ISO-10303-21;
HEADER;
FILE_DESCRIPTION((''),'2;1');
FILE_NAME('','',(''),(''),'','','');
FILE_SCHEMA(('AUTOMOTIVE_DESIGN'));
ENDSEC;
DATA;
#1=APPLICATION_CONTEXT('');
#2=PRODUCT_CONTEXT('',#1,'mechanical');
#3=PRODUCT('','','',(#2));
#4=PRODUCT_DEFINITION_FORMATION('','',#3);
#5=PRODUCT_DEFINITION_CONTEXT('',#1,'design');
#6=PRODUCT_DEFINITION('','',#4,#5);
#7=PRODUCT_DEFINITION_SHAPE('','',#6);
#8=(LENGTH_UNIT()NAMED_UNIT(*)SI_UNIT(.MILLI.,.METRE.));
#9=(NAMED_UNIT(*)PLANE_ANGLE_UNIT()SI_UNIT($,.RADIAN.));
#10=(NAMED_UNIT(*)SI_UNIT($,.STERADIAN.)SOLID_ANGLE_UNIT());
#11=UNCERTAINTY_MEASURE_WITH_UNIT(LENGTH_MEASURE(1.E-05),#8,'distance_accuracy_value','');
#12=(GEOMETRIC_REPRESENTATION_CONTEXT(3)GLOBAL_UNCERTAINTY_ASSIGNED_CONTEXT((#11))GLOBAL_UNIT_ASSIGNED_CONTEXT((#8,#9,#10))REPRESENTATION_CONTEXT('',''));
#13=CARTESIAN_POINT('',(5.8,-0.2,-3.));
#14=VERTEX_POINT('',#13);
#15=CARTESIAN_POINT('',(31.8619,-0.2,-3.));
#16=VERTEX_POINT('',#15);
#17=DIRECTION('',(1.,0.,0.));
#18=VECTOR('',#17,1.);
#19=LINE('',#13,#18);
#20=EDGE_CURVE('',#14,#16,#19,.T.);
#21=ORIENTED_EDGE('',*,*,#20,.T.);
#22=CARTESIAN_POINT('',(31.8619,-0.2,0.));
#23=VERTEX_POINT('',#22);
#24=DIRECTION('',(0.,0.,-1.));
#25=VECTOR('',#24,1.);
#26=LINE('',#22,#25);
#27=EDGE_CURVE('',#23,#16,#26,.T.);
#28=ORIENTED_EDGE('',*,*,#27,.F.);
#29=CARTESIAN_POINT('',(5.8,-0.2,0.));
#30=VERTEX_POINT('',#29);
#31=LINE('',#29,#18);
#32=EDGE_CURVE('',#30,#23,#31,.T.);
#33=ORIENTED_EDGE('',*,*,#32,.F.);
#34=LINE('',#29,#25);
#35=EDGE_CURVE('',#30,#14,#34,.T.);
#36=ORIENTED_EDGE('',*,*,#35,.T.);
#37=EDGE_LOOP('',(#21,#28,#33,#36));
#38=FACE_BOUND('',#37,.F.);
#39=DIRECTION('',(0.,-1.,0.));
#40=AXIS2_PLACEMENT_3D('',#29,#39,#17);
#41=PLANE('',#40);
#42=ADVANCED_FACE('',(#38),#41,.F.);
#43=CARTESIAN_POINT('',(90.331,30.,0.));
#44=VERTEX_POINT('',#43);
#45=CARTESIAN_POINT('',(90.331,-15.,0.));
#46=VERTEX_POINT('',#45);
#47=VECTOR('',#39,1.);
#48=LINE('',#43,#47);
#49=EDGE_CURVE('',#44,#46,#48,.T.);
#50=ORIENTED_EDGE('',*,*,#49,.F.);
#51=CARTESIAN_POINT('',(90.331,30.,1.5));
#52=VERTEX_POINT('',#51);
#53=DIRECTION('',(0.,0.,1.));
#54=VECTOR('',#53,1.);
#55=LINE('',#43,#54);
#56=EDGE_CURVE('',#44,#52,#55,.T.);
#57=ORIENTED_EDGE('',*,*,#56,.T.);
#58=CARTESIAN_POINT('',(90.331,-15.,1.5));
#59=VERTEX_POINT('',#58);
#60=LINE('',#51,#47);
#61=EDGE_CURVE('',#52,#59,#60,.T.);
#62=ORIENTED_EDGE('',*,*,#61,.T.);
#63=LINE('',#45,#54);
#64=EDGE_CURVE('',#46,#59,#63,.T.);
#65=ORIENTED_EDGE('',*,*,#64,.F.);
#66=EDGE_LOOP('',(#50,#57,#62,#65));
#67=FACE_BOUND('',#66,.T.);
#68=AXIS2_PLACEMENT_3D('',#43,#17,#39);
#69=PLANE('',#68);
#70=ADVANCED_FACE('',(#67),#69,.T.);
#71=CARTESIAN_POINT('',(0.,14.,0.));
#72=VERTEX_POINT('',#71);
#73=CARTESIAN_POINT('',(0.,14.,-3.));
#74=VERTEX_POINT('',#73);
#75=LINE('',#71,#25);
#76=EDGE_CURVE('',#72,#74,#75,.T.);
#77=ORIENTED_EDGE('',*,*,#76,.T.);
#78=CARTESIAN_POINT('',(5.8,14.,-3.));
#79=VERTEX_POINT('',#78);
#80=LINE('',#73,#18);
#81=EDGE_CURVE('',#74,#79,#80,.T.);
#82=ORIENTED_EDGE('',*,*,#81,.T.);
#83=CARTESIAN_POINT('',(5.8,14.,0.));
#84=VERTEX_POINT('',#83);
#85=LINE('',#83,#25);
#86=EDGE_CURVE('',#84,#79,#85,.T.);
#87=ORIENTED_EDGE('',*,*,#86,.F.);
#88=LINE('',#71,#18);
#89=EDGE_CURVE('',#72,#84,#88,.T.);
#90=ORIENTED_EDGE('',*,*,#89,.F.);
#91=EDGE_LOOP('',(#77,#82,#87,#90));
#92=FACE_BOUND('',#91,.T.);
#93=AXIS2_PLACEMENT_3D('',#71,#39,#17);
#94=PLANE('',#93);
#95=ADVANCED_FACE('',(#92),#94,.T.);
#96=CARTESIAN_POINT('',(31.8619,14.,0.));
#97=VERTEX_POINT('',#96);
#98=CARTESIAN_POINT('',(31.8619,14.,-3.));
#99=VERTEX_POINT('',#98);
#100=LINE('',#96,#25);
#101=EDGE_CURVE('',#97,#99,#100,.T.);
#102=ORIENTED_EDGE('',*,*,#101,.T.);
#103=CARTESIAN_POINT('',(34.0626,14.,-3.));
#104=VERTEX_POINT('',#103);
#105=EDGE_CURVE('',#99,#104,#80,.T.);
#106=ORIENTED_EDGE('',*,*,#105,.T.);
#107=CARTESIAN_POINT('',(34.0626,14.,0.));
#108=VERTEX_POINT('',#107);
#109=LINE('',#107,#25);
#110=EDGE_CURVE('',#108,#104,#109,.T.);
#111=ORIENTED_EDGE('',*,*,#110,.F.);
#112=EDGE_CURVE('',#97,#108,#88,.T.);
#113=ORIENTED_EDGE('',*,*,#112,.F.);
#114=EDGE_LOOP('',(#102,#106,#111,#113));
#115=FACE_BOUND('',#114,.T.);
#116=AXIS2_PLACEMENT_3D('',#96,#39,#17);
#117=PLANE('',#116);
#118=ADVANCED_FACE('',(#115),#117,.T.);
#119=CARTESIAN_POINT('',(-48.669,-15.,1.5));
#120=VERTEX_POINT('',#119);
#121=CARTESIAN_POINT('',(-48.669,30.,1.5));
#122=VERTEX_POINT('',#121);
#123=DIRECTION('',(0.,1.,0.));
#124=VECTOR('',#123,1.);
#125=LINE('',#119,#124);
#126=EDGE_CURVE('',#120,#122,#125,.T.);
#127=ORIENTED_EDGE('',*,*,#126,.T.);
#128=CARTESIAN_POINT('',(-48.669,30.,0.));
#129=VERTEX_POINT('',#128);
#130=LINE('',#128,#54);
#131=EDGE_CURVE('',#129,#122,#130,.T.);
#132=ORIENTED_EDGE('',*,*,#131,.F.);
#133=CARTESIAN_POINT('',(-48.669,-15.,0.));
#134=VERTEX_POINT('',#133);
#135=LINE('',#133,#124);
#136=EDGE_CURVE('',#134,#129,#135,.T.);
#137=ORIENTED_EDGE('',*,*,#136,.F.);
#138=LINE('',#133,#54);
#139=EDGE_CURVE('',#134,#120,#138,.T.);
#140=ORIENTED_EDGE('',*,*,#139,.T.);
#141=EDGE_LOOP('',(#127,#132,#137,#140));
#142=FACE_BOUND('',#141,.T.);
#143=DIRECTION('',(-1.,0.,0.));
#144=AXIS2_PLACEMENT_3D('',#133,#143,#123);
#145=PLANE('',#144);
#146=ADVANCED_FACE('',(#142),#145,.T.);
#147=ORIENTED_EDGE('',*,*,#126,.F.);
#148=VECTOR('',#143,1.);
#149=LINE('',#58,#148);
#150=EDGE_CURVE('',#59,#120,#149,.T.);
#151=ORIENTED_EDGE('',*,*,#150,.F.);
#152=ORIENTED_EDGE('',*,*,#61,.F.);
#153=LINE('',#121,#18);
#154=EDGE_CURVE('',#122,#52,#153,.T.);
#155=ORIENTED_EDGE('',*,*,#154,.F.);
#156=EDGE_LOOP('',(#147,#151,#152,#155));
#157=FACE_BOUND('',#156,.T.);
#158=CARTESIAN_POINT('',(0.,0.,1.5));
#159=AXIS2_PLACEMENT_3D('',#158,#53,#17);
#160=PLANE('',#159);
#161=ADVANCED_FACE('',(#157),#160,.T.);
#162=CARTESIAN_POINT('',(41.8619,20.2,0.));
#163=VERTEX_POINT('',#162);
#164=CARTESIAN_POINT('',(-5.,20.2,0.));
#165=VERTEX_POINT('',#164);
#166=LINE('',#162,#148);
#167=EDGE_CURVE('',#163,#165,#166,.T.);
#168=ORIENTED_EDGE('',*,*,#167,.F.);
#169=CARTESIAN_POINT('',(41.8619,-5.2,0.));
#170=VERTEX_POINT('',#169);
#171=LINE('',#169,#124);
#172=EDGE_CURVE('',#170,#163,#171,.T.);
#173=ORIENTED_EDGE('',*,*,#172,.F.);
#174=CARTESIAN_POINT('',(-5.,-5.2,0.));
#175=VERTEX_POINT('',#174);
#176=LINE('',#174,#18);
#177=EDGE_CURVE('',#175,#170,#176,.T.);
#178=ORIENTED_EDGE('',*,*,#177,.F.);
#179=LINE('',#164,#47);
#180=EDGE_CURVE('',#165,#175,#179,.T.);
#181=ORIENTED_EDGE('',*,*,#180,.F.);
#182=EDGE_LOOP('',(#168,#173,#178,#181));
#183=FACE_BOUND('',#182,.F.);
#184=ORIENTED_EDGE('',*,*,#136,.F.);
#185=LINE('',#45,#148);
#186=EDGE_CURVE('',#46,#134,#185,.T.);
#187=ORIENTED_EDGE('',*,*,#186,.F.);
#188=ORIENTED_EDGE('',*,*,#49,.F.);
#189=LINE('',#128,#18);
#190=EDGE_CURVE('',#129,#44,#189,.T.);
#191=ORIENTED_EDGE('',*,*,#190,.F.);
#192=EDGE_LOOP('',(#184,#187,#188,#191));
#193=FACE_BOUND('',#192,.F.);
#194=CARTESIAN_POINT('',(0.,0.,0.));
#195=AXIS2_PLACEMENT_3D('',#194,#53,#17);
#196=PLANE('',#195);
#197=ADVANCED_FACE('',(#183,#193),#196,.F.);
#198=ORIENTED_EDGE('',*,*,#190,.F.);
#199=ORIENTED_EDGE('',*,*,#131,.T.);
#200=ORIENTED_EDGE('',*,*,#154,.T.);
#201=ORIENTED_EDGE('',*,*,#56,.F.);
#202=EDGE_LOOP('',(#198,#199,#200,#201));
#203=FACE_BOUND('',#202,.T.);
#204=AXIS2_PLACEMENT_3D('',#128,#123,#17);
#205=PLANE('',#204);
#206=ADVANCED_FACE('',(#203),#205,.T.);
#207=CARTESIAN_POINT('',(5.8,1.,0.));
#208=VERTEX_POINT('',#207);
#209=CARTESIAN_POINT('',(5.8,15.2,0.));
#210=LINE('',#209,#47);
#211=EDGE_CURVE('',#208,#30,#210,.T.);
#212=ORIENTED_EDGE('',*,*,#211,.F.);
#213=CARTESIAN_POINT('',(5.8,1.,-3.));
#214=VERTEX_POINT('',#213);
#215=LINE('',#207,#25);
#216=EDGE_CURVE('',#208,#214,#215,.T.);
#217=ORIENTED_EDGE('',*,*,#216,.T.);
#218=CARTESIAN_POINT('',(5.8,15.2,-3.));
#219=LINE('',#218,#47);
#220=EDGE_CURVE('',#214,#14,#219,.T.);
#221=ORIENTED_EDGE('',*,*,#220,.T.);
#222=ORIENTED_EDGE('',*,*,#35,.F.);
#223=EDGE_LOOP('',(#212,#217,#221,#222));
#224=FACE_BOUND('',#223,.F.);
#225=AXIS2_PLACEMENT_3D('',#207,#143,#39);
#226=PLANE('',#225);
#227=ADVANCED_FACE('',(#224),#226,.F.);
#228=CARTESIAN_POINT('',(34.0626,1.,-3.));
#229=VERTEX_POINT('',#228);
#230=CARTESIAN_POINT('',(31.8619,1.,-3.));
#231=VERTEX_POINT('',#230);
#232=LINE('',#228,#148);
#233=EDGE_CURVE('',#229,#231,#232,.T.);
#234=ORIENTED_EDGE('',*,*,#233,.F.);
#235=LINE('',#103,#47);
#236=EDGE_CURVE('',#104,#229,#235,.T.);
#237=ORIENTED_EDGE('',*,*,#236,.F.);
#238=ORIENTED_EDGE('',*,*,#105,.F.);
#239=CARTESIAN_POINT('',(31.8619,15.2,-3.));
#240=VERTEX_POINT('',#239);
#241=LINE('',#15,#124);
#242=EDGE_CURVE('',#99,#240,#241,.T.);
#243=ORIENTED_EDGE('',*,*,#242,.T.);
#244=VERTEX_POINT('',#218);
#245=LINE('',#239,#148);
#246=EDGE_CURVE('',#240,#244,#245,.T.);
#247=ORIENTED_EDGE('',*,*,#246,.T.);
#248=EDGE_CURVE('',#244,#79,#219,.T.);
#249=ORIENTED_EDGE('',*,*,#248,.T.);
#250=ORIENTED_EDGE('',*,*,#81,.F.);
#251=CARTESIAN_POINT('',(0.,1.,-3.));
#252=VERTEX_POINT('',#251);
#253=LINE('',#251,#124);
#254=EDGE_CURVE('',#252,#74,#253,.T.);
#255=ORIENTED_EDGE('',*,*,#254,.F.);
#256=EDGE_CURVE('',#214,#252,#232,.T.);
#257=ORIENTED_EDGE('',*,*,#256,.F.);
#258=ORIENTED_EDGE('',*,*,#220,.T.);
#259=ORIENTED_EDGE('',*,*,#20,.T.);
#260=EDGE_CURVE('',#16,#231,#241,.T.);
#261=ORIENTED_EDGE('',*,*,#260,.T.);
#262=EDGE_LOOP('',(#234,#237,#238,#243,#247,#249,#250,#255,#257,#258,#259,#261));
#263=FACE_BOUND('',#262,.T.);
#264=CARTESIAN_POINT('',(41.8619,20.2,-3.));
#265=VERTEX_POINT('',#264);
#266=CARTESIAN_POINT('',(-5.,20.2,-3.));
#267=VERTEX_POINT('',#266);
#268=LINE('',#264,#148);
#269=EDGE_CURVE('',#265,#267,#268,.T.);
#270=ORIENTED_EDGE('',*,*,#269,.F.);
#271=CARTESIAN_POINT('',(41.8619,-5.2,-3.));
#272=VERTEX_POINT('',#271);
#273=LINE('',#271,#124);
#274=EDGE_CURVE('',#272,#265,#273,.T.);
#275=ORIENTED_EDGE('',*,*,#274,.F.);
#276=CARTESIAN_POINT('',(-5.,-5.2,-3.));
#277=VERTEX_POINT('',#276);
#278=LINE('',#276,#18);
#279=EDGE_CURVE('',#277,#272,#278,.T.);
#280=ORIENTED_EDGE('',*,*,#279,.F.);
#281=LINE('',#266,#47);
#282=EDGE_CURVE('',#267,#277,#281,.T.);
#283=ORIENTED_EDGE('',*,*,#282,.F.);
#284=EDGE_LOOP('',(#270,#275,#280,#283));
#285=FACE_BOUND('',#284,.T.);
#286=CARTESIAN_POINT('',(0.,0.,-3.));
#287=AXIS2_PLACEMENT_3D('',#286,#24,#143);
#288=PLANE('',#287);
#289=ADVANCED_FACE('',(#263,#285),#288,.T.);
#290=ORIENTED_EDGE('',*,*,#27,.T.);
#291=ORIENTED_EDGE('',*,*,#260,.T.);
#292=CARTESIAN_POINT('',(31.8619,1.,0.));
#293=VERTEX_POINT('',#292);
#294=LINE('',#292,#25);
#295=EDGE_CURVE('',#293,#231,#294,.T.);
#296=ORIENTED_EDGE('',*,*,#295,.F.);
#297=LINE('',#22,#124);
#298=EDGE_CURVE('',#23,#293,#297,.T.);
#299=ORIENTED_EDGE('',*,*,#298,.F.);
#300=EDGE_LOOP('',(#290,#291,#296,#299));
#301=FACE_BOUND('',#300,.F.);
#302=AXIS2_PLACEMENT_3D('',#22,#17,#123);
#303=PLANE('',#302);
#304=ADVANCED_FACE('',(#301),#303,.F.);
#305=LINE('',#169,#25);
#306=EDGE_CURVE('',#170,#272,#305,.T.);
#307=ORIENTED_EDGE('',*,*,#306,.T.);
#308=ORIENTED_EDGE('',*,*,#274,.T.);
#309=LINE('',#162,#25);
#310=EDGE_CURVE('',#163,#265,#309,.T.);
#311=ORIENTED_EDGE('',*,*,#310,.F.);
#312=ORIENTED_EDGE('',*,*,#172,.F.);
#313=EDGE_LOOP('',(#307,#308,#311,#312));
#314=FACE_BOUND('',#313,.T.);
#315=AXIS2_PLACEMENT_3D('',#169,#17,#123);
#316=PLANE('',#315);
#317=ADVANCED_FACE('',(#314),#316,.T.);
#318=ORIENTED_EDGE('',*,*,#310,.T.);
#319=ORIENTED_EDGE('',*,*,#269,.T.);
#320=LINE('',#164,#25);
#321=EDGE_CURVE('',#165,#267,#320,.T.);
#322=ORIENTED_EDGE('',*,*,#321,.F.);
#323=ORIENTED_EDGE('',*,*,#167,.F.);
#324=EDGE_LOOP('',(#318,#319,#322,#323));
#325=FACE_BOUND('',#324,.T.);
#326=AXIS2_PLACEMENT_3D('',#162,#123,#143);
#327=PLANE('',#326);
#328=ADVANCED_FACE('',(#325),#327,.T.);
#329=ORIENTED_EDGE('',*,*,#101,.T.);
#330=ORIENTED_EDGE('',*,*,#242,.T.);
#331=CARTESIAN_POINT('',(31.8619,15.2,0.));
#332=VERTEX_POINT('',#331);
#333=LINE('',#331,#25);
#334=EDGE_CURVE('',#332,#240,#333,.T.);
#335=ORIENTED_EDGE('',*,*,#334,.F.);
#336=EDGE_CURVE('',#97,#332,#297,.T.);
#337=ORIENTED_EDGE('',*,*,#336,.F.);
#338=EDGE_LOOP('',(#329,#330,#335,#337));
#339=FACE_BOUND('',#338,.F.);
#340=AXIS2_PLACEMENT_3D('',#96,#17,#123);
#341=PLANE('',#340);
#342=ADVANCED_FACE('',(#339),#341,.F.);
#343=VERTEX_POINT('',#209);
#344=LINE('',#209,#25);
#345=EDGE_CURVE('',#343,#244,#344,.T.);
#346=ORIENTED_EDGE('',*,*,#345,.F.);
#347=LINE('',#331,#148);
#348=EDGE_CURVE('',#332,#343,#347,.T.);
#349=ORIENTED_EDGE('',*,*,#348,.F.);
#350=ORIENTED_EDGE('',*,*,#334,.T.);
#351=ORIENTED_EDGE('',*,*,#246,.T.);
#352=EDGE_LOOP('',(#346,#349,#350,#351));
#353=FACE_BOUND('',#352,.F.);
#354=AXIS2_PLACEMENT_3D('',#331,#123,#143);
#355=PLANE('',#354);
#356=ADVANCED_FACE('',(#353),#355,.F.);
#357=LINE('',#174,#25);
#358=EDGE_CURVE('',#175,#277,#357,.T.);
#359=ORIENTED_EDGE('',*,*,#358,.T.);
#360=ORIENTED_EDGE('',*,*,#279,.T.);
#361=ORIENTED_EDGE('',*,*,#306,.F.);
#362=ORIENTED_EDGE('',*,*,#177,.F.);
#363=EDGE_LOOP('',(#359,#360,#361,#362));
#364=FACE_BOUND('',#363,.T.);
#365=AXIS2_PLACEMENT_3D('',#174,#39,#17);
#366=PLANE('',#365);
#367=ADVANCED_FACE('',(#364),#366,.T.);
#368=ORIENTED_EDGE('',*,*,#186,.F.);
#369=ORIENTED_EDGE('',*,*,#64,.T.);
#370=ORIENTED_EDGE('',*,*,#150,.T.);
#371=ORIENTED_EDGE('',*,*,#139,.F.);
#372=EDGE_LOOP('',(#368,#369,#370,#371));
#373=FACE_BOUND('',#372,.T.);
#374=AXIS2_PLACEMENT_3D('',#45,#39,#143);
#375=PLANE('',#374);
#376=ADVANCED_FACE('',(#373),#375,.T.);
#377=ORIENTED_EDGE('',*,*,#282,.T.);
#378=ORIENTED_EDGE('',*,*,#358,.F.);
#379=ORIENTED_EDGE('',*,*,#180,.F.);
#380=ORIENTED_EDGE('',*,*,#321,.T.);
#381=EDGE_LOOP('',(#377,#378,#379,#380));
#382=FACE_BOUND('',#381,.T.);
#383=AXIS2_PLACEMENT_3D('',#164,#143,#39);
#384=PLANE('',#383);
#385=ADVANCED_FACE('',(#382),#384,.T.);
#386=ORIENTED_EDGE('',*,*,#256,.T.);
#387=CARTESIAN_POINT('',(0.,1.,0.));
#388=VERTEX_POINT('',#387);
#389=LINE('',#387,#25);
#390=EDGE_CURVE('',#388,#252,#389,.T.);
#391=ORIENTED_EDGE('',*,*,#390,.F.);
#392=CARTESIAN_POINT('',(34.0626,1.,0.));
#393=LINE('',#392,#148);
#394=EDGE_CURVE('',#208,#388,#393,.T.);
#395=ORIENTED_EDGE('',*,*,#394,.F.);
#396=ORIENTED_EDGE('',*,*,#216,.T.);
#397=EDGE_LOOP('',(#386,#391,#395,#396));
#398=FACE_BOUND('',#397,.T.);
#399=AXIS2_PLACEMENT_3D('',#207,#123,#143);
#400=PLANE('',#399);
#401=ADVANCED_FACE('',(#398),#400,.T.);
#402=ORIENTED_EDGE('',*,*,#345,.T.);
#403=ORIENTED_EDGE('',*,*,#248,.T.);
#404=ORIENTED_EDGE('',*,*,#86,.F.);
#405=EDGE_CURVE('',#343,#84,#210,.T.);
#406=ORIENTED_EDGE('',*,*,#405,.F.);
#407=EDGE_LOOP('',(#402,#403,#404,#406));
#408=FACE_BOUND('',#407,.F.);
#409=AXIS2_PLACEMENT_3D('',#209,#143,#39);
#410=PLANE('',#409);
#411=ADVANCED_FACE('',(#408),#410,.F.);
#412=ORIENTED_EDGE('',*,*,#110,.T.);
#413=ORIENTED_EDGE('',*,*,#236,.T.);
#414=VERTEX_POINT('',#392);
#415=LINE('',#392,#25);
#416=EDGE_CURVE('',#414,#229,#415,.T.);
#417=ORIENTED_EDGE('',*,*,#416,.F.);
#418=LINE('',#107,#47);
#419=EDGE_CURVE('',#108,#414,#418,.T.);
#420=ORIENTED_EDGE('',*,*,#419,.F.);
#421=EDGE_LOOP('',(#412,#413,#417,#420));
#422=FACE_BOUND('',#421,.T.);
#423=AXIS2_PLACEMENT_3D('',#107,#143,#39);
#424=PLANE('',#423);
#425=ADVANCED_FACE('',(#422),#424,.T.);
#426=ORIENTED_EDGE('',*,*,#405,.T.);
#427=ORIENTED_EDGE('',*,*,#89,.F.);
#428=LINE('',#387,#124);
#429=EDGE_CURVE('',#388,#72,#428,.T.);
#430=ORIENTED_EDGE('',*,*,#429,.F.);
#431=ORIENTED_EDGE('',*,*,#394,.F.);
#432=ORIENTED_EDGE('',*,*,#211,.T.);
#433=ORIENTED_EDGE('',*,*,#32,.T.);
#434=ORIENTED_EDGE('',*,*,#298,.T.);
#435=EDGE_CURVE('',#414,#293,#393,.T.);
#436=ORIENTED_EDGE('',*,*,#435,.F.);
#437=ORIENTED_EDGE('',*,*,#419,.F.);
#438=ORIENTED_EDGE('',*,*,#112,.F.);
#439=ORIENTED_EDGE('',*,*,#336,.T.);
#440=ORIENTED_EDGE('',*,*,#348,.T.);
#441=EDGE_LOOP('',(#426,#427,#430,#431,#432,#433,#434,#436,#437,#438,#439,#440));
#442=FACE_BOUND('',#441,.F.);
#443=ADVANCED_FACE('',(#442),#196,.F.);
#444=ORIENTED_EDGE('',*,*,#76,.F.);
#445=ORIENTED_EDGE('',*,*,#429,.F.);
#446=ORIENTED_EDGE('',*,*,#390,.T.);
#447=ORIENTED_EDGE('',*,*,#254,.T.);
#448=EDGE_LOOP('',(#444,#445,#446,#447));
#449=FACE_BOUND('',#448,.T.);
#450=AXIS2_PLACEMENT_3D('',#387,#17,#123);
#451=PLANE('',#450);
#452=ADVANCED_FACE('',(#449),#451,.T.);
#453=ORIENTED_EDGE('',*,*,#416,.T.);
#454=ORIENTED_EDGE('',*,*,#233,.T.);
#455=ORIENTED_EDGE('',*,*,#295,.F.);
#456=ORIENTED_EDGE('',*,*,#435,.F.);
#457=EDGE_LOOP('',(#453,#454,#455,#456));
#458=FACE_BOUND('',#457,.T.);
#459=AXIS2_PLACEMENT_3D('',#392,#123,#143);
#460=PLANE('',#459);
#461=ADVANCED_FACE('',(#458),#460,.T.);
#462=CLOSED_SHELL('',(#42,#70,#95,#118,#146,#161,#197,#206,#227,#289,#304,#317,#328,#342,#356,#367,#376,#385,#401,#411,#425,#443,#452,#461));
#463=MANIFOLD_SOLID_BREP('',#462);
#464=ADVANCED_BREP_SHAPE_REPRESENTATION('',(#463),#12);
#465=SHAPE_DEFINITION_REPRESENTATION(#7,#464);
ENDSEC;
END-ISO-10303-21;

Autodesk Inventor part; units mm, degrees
ref_plane "YZ Plane" through (0, 0, 0) normal (1, 0, 0) x (0, 1, 0)
ref_plane "XZ Plane" through (0, 0, 0) normal (0, 1, 0) x (-1, 0, 0)
ref_plane "XY Plane" through (0, 0, 0) normal (0, 0, 1) x (1, 0, 0)
sketch "Sketch1" plane through (0, 0, 0) normal (0, 0, 1) x (1, 0, 0)
  line L0 (90.331, -15) -> (-48.669, -15)
  line L1 (-48.669, -15) -> (-48.669, 30)
  line L2 (-48.669, 30) -> (90.331, 30)
  line L3 (90.331, 30) -> (90.331, -15)
  line L4 (3.6008, 15) -> (3.6008, 14) projected
  line L5 (3.6008, 15) -> (38.0611, 15) projected
  line L6 (38.0611, 15) -> (38.0611, 14) projected
  line L7 (38.0611, 14) -> (3.6008, 14) projected
  arc A0 (1.6411, 15) -> (0, 14) centre (6, 6) ccw projected
  line L8 (0, 14) -> (34.0626, 14) projected
  line L9 (34.0626, 15) -> (34.0626, 14) projected
  line L10 (34.0626, 15) -> (1.6411, 15) projected
  line L11 (3.6008, 15) -> (-2.0587, 15) projected
  line L12 (-17.3084, 15) -> (-2.0587, 15) projected
  line L13 (38.0611, 0) -> (3.6008, 0) projected
  line L14 (-2.0587, 0) -> (3.6008, 0) projected
  line L15 (70.331, 14) -> (63.6008, 14) projected
  arc A1 (70.331, 1) -> (70.331, 14) centre (70.331, 7.5) ccw projected
  line L16 (63.6008, 1) -> (70.331, 1) projected
  line L17 (63.6008, 14) -> (63.6008, 1) projected
  line L18 (-21.9389, 14) -> (-28.669, 14) projected
  line L19 (-21.9389, 1) -> (-21.9389, 14) projected
  line L20 (-28.669, 1) -> (-21.9389, 1) projected
  arc A2 (-28.669, 14) -> (-28.669, 1) centre (-28.669, 7.5) ccw projected
  arc A3 (-28.669, 15) -> (-28.669, 0) centre (-28.669, 7.5) ccw projected
  arc A4 (70.331, 0) -> (70.331, 15) centre (70.331, 7.5) ccw projected
  point P0 (0, 0)
  point P1 (20.831, 30)
  dimension "d0" = 15
  dimension "d1" = 15
  dimension "d2" = 20
  dimension "d3" = 20
extrude "Extrusion1" add sketch "Sketch1" along normal blind 1.5 contours L0 L1 L2 L3 | L5 L9 L7 L4 | L4 L8 A0 L10 | L5 L6 L7 L9 | A1 L16 L17 L15 | L19 L20 A2 L18
sketch "Sketch2" plane through (0, 0, 0) normal (0, 0, -1) x (-1, 0, 0)
  line L0 (-6, 15) -> (-6, 0) projected
  line L1 (-31.6619, 15) -> (-6, 15) projected
  line L2 (-31.6619, 0) -> (-31.6619, 15) projected
  line L3 (-31.6619, 0) -> (-6, 0) projected
  line L4 (-90.331, 30) -> (48.669, 30) projected
  line L5 (-90.331, 30) -> (48.669, 30) projected
  line L6 (-90.331, -15) -> (-90.331, 30) projected
  line L7 (48.669, -15) -> (-90.331, -15) projected
  line L8 (48.669, 30) -> (48.669, -15) projected
  line L9 (-5.8, 15.2) -> (-5.8, -0.2)
  line L10 (-5.8, -0.2) -> (-31.8619, -0.2)
  line L11 (-31.8619, -0.2) -> (-31.8619, 15.2)
  line L12 (-31.8619, 15.2) -> (-5.8, 15.2)
  line L13 (-41.8619, 20.2) -> (5, 20.2)
  line L14 (5, 20.2) -> (5, -5.2)
  line L15 (5, -5.2) -> (-41.8619, -5.2)
  line L16 (-41.8619, -5.2) -> (-41.8619, 20.2)
  line L17 (-34.0626, 1) -> (0, 1) projected
  line L18 (-34.0626, 14) -> (-34.0626, 1) projected
  line L19 (0, 14) -> (-34.0626, 14) projected
  line L20 (0, 1) -> (0, 14) projected
  point P0 (0, 0)
  point P1 (-31.8619, 1)
  point P2 (-31.8619, 14)
  point P3 (-5.8, 14)
  point P4 (-5.8, 1)
  dimension "d6" = 0.2
  dimension "d7" = 5
  dimension "d8" = 10
  dimension "d9" = 5
  dimension "d10" = 5
extrude "Extrusion2" add sketch "Sketch2" along normal blind 3 contours L13 L14 L15 L16
properties part number "backplate"
